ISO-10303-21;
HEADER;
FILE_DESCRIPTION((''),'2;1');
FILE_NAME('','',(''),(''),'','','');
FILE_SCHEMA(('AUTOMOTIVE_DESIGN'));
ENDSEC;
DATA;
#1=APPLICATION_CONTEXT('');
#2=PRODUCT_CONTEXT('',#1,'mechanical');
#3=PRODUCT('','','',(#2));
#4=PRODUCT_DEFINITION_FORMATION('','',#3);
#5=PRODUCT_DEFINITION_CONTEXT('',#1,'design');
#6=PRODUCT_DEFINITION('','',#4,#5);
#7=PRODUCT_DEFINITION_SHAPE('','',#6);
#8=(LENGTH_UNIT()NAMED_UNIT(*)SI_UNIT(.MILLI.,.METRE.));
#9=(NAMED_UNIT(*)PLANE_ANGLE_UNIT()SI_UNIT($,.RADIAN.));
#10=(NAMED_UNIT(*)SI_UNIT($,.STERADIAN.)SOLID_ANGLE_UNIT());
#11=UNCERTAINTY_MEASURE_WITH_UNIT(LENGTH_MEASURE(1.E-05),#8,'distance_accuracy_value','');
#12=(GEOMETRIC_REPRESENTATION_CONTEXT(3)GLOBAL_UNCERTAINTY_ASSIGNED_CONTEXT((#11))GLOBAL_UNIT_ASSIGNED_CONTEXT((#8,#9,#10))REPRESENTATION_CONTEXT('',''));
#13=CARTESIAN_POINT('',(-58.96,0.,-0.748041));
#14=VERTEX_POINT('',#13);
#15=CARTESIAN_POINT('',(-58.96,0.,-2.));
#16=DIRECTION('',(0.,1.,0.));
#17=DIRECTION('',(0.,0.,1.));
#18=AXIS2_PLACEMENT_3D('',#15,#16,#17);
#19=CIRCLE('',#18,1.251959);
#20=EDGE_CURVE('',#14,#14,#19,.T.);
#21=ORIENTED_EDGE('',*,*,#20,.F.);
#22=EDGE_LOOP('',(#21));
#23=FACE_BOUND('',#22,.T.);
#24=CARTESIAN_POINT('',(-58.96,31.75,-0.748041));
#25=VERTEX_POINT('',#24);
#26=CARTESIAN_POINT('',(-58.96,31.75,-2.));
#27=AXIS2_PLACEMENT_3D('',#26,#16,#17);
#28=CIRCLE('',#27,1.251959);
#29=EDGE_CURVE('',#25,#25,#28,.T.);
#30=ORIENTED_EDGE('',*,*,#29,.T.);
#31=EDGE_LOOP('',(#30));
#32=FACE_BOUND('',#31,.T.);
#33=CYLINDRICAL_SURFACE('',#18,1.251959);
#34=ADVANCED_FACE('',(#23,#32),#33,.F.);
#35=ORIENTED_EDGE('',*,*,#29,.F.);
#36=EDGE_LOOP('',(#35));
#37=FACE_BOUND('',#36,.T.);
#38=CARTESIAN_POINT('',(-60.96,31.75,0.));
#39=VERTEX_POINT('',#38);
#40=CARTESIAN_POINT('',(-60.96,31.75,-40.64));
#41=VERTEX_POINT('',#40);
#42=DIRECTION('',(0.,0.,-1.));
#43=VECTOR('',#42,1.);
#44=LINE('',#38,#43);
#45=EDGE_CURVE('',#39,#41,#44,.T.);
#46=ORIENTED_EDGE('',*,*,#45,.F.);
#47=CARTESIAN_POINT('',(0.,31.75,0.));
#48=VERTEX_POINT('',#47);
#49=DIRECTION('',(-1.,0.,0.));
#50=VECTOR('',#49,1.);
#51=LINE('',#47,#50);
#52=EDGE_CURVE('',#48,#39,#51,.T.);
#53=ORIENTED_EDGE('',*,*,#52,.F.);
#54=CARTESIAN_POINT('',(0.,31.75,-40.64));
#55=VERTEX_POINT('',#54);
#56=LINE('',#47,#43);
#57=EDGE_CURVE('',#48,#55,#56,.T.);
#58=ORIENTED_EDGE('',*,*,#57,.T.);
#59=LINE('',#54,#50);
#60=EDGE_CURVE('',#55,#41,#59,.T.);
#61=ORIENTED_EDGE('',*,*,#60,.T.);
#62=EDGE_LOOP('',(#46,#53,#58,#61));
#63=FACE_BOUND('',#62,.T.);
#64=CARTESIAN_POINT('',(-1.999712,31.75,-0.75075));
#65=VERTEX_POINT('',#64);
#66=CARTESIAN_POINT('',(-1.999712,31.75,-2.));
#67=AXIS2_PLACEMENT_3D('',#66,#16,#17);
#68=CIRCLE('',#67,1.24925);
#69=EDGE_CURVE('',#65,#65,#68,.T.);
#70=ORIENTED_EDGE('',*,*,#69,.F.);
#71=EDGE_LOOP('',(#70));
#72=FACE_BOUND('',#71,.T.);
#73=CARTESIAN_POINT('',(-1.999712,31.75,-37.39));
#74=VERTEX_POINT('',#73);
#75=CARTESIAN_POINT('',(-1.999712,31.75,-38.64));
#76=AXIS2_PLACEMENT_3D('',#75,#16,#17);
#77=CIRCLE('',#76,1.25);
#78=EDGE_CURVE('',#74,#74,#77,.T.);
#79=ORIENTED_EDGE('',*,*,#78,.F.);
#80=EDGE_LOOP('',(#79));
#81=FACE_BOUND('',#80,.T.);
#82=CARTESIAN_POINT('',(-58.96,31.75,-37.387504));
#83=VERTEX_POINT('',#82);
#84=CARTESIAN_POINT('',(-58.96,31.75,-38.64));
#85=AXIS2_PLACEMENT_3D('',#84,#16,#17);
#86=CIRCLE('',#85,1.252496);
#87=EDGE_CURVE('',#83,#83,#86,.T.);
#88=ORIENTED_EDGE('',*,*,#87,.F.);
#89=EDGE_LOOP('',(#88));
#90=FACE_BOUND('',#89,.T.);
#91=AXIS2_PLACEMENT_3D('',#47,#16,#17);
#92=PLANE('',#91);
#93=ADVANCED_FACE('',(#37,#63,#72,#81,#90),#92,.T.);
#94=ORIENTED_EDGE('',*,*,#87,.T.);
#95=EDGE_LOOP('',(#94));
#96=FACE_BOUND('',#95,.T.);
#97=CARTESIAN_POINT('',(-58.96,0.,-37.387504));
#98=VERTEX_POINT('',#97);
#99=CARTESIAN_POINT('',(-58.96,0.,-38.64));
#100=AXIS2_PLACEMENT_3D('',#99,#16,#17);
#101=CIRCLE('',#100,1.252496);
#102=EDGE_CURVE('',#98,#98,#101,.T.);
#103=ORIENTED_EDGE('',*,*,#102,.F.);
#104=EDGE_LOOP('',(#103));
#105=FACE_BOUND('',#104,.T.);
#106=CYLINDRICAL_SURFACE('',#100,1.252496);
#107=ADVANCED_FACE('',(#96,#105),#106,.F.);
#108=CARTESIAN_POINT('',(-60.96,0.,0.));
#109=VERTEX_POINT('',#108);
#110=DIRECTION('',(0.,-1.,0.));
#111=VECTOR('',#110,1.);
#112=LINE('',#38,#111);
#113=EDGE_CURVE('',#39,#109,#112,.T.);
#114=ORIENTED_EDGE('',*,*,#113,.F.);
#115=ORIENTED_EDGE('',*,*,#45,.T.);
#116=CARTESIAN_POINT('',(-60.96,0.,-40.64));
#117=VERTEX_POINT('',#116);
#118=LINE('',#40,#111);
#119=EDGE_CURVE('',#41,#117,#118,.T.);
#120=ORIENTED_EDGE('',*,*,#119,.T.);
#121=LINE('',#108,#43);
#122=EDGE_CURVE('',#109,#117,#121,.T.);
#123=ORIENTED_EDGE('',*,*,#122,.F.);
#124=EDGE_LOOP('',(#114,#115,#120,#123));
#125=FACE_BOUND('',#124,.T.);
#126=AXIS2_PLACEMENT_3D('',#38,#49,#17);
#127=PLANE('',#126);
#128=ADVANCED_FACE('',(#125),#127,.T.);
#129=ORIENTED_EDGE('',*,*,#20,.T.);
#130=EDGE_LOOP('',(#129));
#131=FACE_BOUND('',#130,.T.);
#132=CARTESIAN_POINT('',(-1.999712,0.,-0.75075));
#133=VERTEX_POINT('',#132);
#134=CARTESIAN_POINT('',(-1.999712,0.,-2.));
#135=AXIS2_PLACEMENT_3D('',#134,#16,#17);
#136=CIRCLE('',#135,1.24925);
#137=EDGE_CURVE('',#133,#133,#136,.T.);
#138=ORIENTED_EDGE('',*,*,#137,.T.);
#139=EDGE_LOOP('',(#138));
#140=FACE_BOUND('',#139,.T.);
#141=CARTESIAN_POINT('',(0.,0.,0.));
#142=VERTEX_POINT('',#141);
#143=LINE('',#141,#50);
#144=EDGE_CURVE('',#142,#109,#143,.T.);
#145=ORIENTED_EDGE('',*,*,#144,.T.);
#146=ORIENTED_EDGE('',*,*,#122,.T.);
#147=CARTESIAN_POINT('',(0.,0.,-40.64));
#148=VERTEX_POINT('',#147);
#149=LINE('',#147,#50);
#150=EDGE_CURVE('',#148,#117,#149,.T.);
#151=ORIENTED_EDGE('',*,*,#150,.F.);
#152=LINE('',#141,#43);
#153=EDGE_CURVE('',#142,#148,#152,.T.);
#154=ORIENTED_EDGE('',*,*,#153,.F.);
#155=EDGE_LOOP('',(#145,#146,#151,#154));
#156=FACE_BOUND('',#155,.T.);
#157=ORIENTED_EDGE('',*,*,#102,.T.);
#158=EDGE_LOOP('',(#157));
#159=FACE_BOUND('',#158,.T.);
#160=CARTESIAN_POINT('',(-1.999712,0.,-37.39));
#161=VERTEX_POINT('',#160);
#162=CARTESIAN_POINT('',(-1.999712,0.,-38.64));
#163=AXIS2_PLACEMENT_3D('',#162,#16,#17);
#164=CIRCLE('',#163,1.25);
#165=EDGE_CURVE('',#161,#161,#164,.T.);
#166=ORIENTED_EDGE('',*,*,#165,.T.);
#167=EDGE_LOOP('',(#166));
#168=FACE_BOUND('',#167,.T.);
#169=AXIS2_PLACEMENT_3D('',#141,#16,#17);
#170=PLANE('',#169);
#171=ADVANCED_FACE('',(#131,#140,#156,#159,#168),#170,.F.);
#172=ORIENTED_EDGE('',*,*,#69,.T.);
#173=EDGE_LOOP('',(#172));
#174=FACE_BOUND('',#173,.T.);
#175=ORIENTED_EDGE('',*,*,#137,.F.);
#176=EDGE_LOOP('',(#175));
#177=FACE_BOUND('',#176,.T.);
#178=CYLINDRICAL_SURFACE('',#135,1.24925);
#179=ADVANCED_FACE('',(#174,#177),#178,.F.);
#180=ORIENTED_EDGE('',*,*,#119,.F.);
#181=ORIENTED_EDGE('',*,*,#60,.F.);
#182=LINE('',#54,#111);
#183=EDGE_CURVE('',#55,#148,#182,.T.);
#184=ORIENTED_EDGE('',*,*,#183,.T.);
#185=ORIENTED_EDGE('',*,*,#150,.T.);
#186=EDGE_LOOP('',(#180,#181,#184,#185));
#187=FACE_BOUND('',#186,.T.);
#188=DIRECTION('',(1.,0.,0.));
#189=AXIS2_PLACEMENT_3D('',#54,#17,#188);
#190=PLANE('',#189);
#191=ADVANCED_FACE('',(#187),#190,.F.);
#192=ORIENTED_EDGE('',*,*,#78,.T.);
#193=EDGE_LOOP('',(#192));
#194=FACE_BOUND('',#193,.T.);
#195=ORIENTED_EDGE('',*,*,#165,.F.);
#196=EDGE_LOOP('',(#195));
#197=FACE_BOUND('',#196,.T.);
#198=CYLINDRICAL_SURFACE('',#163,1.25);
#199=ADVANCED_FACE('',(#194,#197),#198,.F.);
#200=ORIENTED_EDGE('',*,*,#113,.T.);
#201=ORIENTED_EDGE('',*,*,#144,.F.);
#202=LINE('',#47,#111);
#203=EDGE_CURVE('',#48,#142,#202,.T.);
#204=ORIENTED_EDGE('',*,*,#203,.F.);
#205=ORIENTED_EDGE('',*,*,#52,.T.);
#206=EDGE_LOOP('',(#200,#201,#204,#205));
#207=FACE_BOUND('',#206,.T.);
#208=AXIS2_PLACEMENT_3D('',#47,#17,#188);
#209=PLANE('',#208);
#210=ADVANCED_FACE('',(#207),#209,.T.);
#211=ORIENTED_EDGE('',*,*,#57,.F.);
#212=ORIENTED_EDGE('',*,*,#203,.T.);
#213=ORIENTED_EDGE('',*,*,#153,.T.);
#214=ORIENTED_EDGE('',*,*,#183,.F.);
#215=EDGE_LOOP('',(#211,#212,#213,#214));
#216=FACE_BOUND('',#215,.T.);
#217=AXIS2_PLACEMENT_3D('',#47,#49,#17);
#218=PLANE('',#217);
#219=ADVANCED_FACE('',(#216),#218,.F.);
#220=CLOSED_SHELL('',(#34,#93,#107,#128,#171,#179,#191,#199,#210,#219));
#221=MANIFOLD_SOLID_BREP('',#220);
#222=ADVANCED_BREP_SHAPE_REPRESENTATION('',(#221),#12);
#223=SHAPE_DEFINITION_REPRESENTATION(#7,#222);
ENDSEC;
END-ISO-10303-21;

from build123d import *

# Parameters (mm, degrees)
SKETCH1_W           = 60.96
SKETCH1_H           = 40.64
BOSS_EXTRUDE1_DEPTH = 31.75
SKETCH3_R           = 1.251959024
SKETCH3_R_2         = 1.252496279
SKETCH3_R_3         = 1.25
SKETCH3_R_4         = 1.249249958
CUT_EXTRUDE1_DEPTH  = 80.848567301


with BuildPart() as part:
    # Sketch1 → Boss-Extrude1 (new body)
    with BuildSketch(Plane(origin=(0, 0, 0), x_dir=(1, 0, 0), z_dir=(0, 1, 0))):
        with Locations((-30.48, 20.32)):
            Rectangle(SKETCH1_W, SKETCH1_H)
    extrude(amount=BOSS_EXTRUDE1_DEPTH)

    # Sketch3 → Cut-Extrude1 (cut, through all)
    with BuildSketch(Plane(origin=(0, 31.75, 0), x_dir=(1, 0, 0), z_dir=(0, 1, 0))):
        with Locations(Location((-58.96, 2, 0), (0, 0, 270))):
            Circle(SKETCH3_R)
        with Locations(Location((-58.96, 38.64, 0), (0, 0, 270))):
            Circle(SKETCH3_R_2)
        with Locations(Location((-1.999712025, 38.64, 0), (0, 0, 270))):
            Circle(SKETCH3_R_3)
        with Locations(Location((-1.999712025, 2, 0), (0, 0, 270))):
            Circle(SKETCH3_R_4)
    extrude(amount=-CUT_EXTRUDE1_DEPTH, mode=Mode.SUBTRACT)


solid = part.part
